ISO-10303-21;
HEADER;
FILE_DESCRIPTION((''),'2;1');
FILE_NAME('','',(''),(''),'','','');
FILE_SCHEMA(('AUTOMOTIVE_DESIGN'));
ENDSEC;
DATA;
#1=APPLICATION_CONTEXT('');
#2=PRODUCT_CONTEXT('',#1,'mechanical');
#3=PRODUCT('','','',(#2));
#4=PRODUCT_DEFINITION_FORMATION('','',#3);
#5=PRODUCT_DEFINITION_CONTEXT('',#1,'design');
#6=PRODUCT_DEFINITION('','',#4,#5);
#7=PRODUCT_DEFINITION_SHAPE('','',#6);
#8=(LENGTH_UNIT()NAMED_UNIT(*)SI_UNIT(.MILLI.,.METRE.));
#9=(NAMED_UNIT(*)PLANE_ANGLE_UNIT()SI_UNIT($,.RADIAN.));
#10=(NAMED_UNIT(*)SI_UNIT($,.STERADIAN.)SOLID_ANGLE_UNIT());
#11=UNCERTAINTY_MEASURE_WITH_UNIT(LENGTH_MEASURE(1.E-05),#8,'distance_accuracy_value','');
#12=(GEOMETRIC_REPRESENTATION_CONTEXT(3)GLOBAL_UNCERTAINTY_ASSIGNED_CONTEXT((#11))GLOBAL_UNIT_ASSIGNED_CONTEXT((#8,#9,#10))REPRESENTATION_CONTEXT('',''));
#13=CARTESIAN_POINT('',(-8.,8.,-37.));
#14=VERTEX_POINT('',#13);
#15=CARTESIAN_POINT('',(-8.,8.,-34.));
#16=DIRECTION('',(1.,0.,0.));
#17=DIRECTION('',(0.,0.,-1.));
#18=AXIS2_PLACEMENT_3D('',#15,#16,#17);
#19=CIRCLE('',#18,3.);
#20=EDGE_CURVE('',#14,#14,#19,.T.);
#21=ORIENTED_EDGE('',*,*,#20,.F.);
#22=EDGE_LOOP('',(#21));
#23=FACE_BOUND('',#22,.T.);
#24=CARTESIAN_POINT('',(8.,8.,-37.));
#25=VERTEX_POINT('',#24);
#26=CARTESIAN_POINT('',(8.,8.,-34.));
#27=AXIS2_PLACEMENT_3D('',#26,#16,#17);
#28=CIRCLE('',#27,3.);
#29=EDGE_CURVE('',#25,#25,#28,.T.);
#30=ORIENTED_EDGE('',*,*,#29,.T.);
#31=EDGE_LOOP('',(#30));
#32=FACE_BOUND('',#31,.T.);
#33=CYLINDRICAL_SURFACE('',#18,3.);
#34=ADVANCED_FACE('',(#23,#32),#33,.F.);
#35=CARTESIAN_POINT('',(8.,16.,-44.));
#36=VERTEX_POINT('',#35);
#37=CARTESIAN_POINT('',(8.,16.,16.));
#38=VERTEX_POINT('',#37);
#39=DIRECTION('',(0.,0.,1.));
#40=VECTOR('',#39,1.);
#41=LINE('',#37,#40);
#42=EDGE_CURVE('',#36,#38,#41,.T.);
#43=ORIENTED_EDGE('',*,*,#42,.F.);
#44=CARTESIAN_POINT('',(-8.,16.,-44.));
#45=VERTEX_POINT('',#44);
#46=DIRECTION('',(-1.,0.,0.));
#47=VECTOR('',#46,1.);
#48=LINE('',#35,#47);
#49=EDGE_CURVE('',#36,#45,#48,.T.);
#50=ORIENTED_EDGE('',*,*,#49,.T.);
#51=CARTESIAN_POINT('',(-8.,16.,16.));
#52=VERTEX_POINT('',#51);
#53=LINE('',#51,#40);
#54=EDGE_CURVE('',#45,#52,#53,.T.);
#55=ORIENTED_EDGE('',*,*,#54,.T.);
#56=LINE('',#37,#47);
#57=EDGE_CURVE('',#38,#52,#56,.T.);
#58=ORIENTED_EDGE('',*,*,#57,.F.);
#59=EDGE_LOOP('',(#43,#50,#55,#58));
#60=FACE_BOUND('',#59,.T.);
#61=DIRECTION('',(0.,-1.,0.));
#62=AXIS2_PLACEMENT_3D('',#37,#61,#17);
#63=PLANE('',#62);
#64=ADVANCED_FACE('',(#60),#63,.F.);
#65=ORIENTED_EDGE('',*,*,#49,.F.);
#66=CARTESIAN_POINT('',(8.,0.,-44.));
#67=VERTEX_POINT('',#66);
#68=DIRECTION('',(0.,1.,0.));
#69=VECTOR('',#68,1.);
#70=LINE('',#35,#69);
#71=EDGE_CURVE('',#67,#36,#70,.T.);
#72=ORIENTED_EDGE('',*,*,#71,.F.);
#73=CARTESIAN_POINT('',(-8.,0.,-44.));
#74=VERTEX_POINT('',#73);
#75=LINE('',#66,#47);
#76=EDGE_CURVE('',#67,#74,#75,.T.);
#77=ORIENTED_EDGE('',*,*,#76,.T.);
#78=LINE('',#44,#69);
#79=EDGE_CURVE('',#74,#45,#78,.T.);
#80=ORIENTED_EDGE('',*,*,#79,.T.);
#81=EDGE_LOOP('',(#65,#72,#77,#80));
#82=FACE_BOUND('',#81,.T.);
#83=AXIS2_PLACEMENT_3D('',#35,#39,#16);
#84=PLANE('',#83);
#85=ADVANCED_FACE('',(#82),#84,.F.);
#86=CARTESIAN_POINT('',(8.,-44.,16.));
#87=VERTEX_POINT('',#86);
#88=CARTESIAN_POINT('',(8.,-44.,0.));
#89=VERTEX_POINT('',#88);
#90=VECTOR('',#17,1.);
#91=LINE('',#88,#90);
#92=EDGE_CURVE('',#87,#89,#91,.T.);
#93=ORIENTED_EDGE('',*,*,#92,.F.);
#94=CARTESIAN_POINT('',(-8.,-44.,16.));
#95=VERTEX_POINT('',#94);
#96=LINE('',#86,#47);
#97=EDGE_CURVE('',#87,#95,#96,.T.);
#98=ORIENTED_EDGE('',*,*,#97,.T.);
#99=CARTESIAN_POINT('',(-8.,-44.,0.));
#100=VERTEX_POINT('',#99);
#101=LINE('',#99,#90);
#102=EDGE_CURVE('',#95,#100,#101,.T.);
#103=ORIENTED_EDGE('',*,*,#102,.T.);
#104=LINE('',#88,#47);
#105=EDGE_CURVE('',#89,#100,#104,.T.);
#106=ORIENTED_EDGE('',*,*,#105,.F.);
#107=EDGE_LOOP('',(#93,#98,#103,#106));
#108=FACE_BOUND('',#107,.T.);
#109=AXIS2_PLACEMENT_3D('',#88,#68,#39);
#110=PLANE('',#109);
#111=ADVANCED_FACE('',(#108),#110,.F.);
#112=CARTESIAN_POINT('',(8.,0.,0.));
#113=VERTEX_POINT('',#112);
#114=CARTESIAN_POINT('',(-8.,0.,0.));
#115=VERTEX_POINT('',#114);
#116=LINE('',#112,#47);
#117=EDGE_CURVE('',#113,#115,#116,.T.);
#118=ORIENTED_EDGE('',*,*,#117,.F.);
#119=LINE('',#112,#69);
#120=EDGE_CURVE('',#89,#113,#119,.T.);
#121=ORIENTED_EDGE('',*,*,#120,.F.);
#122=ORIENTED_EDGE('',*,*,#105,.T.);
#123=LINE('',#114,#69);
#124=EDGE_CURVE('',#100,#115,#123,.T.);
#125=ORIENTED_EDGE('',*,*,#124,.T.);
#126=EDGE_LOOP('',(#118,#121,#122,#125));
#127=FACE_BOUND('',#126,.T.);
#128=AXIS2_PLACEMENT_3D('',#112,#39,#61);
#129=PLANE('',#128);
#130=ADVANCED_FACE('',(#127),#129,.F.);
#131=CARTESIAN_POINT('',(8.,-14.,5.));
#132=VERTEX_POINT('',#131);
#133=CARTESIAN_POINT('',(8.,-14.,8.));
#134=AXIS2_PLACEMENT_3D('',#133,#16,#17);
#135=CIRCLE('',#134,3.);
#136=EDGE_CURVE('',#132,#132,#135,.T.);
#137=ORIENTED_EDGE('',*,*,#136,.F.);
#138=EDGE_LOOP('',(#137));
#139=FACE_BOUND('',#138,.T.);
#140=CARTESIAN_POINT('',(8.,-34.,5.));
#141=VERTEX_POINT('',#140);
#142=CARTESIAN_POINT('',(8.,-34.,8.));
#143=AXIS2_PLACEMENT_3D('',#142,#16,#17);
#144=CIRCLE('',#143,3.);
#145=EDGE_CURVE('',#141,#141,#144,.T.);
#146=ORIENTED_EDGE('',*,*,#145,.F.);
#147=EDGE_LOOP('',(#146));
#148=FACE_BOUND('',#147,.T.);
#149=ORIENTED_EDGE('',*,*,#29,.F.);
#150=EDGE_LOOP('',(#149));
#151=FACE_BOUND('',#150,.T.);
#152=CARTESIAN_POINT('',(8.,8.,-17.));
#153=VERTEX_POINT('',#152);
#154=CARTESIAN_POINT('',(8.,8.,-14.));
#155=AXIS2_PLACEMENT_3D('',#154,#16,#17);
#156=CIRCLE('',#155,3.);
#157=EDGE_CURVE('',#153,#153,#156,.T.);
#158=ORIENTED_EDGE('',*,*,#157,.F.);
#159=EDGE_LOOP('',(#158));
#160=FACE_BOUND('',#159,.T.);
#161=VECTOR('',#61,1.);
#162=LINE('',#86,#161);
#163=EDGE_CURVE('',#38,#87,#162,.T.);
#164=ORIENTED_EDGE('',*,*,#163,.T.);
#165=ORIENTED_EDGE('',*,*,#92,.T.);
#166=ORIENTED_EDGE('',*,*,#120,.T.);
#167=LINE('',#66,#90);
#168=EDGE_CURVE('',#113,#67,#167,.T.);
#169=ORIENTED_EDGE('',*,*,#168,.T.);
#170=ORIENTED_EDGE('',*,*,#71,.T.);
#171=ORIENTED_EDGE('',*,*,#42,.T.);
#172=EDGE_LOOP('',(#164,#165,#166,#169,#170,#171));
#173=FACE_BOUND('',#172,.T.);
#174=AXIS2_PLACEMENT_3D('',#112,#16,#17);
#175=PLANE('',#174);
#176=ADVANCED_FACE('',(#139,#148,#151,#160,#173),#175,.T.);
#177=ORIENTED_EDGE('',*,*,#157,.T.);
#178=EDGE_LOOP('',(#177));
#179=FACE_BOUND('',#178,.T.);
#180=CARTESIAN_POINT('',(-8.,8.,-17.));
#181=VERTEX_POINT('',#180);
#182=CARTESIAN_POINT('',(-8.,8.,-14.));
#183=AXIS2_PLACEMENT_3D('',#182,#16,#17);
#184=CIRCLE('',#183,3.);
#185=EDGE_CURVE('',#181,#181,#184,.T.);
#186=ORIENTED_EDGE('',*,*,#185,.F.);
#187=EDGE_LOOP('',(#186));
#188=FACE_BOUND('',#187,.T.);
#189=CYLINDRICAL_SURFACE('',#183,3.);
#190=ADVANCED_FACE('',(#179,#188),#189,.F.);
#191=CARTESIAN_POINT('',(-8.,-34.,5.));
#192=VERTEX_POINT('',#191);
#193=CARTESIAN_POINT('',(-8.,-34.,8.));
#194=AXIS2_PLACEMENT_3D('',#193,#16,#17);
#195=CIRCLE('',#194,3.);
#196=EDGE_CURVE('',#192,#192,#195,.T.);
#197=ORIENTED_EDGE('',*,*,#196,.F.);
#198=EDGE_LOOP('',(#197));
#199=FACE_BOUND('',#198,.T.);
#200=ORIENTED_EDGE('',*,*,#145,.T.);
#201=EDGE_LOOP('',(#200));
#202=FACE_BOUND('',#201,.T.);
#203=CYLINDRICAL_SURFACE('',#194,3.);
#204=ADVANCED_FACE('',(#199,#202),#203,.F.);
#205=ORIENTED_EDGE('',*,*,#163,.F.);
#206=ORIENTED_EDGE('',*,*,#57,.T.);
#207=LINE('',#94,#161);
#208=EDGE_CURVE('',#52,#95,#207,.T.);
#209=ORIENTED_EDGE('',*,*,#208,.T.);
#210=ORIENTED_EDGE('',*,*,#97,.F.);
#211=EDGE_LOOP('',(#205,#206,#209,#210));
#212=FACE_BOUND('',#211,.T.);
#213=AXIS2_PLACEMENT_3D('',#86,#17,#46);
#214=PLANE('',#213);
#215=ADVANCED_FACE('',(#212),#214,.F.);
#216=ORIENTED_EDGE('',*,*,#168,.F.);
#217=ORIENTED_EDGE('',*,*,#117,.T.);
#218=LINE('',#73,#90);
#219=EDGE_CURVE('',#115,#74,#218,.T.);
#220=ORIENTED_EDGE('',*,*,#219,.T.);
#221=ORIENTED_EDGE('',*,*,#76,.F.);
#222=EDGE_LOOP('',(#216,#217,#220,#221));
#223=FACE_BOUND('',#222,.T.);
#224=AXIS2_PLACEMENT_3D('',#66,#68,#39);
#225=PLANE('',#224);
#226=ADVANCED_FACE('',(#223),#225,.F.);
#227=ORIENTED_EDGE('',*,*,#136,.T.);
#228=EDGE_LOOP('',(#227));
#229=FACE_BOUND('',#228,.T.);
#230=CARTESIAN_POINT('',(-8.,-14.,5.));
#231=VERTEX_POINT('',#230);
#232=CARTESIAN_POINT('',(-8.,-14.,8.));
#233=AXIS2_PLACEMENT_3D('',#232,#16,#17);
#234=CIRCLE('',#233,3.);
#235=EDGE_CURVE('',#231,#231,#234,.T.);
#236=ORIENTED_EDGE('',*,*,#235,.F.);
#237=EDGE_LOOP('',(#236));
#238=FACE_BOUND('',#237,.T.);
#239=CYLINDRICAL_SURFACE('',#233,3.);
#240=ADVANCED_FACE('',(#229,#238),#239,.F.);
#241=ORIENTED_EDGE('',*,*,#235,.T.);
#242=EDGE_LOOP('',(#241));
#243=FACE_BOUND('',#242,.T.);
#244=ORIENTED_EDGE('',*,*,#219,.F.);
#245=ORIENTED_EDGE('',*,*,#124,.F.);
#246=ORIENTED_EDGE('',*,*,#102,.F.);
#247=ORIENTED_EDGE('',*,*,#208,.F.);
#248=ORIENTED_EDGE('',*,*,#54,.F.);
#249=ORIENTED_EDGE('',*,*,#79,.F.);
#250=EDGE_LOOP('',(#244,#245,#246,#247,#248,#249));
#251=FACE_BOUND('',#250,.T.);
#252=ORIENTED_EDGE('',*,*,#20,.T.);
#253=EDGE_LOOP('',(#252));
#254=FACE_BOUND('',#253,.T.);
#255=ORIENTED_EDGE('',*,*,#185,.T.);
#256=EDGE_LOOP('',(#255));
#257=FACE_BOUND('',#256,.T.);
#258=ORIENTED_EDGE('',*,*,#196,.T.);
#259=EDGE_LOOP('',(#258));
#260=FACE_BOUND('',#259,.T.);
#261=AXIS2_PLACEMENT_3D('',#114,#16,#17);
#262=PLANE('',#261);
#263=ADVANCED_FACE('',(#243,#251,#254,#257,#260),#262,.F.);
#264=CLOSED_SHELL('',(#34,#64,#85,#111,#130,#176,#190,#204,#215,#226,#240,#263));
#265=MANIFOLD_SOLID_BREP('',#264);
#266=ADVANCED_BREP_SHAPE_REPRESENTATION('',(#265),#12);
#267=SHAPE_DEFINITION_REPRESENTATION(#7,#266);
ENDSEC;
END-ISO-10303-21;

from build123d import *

# Parameters (mm, degrees)
BOSS_EXTRUDE1_DEPTH = 8
SKETCH2_R           = 3
CUT_EXTRUDE1_DEPTH  = 65.249513617


with BuildPart() as part:
    # Sketch1 → Boss-Extrude1 (new, symmetric)
    with BuildSketch(Plane(origin=(0, 0, 0), x_dir=(0, 0, -1), z_dir=(1, 0, 0))):
        Polygon((0, 0), (0, -44), (-16, -44), (-16, 16), (44, 16), (44, 0), align=None)
    extrude(amount=BOSS_EXTRUDE1_DEPTH, both=True)

    # Sketch2 → Cut-Extrude1 (cut, through all)
    with BuildSketch(Plane(origin=(8, 0, 0), x_dir=(0, 0, -1), z_dir=(1, 0, 0))):
        with Locations((-8, -34)):
            Circle(SKETCH2_R)
        with Locations((-8, -14)):
            Circle(SKETCH2_R)
        with Locations((14, 8)):
            Circle(SKETCH2_R)
        with Locations((34, 8)):
            Circle(SKETCH2_R)
    extrude(amount=-CUT_EXTRUDE1_DEPTH, mode=Mode.SUBTRACT)


solid = part.part
